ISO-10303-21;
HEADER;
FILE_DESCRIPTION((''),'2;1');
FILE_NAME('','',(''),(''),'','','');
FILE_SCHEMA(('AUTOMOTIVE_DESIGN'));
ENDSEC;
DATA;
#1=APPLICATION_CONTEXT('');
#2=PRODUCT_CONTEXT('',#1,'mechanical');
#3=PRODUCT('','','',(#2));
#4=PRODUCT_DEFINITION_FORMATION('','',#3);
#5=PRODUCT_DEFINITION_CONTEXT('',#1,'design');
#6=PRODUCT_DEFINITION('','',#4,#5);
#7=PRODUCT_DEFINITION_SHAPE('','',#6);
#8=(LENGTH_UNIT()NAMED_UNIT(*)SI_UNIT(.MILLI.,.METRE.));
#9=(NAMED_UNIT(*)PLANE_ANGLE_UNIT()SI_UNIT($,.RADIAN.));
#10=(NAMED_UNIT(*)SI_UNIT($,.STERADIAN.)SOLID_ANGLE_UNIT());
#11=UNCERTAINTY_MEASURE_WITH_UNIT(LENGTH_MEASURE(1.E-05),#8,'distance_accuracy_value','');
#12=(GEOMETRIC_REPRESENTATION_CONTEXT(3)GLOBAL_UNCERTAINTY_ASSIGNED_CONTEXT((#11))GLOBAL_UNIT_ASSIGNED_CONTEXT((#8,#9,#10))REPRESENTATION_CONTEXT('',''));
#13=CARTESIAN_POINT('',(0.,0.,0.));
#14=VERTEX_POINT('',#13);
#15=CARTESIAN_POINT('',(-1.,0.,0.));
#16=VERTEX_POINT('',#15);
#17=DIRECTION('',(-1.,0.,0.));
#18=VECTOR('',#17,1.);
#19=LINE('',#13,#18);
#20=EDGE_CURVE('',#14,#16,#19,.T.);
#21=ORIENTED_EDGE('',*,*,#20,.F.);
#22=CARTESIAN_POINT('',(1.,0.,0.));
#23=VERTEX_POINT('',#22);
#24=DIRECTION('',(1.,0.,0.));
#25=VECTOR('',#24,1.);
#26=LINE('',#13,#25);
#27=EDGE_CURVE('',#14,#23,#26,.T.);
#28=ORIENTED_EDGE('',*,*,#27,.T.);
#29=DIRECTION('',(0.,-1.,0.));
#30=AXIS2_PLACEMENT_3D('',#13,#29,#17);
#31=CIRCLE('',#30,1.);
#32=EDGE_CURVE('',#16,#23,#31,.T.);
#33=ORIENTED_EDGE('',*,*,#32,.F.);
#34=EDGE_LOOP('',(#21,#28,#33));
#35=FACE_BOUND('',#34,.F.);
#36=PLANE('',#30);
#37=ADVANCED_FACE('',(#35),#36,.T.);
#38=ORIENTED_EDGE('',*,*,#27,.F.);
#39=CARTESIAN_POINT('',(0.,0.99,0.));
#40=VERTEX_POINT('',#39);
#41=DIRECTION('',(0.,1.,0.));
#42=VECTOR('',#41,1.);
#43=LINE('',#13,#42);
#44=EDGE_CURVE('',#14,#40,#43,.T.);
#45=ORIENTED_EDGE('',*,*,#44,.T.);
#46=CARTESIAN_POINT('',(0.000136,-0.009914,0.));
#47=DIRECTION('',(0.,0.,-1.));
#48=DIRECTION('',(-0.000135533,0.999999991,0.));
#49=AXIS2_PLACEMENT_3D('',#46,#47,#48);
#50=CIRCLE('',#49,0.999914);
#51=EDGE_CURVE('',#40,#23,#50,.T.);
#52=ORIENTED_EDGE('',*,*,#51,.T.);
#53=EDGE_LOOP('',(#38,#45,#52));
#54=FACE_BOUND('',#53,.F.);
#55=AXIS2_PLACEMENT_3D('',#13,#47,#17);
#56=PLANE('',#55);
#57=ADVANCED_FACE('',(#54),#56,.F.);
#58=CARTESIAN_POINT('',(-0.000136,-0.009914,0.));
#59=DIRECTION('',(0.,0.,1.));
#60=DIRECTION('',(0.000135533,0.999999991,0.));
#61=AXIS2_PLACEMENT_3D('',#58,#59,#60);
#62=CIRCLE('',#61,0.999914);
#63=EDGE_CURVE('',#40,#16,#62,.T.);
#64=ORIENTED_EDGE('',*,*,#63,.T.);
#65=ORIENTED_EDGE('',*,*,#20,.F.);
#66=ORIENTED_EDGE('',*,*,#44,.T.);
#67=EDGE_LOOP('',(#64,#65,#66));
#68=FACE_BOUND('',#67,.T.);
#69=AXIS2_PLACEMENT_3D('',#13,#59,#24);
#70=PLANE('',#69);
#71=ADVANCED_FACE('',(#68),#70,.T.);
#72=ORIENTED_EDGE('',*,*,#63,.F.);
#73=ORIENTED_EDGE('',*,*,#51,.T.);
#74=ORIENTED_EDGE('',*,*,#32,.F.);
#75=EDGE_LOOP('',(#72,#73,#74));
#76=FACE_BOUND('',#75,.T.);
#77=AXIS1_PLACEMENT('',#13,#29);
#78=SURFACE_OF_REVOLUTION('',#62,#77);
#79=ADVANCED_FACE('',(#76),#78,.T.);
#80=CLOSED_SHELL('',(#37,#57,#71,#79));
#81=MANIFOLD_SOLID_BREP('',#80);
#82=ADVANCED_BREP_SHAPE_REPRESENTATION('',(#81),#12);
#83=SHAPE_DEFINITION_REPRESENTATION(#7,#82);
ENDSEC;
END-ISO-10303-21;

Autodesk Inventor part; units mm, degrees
ref_plane "YZ Plane" through (0, 0, 0) normal (1, 0, 0) x (0, 1, 0)
ref_plane "XZ Plane" through (0, 0, 0) normal (0, 1, 0) x (-1, 0, 0)
ref_plane "XY Plane" through (0, 0, 0) normal (0, 0, 1) x (1, 0, 0)
sketch "Sketch1" plane through (0, 0, 0) normal (0, 0, 1) x (1, 0, 0)
  line L0 (0, 0) -> (0, 0.99)
  line L1 (0, 0) -> (-1, 0)
  arc A0 (0, 0.99) -> (-1, 0) centre (-0.0001, -0.01) ccw
  dimension "d0" = 0.99
  dimension "d1" = 1
  dimension "d2" = 1
revolve "Revolution1" add sketch "Sketch1" angle 180 about axis through (0, 0, 0) along (0, -1, 0)
properties part number "hard_1"
